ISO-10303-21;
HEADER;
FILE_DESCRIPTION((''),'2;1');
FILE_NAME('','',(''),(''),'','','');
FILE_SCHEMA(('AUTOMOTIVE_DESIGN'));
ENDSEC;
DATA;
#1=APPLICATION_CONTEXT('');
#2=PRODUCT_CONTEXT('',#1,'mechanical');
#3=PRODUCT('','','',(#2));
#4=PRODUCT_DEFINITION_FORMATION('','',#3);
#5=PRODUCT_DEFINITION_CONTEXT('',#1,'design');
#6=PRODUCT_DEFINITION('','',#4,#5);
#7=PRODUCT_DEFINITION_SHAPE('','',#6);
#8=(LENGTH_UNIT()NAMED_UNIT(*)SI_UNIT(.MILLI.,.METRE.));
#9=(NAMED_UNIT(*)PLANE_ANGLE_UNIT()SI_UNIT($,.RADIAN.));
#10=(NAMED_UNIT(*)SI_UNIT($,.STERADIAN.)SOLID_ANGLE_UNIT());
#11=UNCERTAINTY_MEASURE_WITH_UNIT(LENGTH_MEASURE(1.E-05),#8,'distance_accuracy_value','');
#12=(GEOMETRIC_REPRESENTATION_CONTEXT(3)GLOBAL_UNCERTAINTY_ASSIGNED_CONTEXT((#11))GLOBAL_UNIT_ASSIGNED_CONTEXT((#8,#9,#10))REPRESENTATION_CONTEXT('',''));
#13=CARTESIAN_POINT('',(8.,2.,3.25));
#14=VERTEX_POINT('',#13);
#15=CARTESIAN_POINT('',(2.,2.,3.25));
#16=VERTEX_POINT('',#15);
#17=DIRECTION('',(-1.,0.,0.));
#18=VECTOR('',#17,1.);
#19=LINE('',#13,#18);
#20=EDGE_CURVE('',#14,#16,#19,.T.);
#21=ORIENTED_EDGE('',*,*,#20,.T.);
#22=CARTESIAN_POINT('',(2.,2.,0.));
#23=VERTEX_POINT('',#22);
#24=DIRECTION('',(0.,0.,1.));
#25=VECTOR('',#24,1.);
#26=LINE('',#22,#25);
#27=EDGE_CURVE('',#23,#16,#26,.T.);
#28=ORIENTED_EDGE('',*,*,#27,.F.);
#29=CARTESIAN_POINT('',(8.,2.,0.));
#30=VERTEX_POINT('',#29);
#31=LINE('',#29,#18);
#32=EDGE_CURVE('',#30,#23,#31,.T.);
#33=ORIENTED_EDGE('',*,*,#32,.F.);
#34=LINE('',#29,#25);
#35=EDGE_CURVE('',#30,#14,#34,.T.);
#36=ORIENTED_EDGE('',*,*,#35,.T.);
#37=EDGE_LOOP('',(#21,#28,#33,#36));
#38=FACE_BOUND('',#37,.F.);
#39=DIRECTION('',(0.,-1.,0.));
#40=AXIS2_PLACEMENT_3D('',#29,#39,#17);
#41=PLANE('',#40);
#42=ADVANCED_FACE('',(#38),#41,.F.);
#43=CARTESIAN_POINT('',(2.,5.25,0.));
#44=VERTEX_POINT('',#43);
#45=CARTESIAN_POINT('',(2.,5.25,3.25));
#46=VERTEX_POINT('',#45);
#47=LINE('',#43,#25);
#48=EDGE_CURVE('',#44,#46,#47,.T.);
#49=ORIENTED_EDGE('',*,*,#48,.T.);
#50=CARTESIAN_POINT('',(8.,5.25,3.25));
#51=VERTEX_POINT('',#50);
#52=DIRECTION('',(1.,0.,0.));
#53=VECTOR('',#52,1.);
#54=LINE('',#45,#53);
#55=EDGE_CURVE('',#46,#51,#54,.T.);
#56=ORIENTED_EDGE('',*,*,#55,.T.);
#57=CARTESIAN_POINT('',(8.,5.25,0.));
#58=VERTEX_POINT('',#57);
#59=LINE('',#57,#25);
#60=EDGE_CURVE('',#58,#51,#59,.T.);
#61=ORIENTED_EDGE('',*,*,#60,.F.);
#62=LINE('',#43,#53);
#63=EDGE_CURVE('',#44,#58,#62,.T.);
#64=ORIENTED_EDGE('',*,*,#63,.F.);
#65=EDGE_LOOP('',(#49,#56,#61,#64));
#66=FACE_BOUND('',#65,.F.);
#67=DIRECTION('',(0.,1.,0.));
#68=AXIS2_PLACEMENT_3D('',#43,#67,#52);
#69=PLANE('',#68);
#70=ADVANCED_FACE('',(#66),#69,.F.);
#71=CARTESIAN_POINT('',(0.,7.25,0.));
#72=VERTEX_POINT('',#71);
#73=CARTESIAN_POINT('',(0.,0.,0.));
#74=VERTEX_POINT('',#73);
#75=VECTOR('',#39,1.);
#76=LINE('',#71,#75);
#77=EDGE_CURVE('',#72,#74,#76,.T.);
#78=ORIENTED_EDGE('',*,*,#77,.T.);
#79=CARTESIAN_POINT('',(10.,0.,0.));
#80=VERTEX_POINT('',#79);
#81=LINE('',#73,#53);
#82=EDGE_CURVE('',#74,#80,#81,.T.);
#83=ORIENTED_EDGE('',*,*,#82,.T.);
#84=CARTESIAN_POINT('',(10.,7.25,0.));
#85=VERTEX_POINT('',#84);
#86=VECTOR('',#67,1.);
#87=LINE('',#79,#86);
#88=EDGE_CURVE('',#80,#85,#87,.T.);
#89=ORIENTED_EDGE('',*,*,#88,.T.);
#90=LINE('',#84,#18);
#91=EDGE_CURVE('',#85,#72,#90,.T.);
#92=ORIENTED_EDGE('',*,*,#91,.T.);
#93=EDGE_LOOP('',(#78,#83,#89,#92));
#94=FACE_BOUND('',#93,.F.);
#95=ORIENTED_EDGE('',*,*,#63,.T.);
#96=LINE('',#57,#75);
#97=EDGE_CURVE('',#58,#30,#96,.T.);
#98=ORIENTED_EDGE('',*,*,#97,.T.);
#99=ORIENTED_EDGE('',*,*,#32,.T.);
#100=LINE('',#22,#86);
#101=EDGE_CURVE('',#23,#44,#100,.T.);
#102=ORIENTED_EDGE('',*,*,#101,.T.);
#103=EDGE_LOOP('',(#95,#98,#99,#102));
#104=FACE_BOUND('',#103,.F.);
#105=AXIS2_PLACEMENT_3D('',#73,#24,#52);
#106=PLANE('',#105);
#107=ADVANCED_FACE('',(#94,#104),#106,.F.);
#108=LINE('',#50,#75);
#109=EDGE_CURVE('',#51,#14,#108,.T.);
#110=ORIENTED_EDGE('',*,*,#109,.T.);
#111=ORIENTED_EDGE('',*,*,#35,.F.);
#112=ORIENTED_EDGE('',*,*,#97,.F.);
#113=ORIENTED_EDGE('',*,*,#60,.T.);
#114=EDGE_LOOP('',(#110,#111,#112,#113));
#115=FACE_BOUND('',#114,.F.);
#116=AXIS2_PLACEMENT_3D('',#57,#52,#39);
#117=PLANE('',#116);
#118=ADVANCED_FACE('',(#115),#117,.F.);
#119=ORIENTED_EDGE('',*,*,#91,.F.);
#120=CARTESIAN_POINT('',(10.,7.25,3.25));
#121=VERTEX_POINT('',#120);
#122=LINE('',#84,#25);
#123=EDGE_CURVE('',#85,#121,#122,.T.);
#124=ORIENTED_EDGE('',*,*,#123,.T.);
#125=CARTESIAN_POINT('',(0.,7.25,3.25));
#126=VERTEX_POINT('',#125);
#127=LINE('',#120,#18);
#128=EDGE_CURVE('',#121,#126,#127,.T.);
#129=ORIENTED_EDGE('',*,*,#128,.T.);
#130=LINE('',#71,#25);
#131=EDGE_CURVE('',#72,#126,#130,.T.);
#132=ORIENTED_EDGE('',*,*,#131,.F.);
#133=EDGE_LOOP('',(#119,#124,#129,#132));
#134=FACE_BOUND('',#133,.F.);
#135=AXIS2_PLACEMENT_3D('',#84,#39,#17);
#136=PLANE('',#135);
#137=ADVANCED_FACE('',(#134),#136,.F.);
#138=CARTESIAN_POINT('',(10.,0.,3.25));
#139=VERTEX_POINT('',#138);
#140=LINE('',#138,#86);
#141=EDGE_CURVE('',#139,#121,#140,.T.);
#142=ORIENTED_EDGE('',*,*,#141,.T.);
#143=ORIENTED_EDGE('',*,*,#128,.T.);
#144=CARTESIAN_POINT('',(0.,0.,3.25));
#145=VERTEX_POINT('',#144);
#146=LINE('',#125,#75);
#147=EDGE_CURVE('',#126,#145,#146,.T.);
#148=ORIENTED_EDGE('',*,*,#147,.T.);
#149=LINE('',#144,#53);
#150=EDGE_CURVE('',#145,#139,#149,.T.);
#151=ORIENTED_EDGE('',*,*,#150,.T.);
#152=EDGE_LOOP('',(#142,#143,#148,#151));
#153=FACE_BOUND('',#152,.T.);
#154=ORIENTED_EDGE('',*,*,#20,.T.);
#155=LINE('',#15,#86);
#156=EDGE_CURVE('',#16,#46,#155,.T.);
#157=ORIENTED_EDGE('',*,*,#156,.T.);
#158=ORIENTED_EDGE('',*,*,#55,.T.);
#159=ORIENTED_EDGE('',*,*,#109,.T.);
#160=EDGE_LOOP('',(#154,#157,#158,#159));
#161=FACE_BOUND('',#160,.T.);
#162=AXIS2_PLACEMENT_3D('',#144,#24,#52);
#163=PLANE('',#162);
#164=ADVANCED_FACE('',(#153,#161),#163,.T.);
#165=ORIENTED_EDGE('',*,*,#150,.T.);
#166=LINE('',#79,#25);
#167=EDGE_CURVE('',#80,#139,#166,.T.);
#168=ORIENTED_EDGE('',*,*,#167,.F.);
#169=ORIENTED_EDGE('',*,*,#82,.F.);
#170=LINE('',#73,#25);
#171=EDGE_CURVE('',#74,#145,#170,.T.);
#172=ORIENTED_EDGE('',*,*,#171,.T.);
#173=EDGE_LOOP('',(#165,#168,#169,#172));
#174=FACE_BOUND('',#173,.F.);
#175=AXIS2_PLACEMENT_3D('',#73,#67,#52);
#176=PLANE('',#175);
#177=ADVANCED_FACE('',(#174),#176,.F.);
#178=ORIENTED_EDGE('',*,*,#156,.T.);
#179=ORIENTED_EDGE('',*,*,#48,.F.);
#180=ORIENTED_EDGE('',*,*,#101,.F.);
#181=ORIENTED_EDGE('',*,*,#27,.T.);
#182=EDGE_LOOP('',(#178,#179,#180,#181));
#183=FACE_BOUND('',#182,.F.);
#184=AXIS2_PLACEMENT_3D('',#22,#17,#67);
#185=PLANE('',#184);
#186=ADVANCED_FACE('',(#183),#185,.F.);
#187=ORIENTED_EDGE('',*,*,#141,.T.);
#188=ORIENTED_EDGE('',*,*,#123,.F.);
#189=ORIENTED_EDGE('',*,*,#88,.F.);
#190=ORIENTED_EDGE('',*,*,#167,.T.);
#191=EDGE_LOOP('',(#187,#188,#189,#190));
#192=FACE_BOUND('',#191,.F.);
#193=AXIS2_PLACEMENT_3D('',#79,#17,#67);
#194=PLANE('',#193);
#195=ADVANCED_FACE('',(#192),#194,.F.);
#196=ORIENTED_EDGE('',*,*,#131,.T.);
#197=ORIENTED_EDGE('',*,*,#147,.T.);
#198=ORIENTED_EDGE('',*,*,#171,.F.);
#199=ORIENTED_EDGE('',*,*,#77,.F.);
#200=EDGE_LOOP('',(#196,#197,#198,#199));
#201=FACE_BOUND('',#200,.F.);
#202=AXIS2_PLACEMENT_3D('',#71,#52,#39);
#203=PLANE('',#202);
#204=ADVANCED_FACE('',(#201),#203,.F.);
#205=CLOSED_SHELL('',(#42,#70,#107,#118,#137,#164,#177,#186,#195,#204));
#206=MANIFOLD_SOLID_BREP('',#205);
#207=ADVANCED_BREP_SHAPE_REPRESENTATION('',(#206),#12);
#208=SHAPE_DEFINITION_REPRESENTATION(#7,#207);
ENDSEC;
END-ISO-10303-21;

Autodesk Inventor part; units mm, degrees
ref_plane "YZ Plane" through (0, 0, 0) normal (1, 0, 0) x (0, 1, 0)
ref_plane "XZ Plane" through (0, 0, 0) normal (0, 1, 0) x (-1, 0, 0)
ref_plane "XY Plane" through (0, 0, 0) normal (0, 0, 1) x (1, 0, 0)
sketch "Sketch1" plane through (0, 0, 0) normal (0, 0, 1) x (1, 0, 0)
  line L0 (0, 0) -> (10, 0)
  line L1 (10, 0) -> (10, 7.25)
  line L2 (10, 7.25) -> (0, 7.25)
  line L3 (0, 7.25) -> (0, 0)
  line L4 (2, 5.25) -> (8, 5.25)
  line L5 (8, 5.25) -> (8, 2)
  line L6 (8, 2) -> (2, 2)
  line L7 (2, 2) -> (2, 5.25)
  dimension "d0" = 10
  dimension "d1" = 7.25
  dimension "d7" = 2
extrude "Extrusion1" add sketch "Sketch1" along normal blind 3.25
properties part number "grommet"
